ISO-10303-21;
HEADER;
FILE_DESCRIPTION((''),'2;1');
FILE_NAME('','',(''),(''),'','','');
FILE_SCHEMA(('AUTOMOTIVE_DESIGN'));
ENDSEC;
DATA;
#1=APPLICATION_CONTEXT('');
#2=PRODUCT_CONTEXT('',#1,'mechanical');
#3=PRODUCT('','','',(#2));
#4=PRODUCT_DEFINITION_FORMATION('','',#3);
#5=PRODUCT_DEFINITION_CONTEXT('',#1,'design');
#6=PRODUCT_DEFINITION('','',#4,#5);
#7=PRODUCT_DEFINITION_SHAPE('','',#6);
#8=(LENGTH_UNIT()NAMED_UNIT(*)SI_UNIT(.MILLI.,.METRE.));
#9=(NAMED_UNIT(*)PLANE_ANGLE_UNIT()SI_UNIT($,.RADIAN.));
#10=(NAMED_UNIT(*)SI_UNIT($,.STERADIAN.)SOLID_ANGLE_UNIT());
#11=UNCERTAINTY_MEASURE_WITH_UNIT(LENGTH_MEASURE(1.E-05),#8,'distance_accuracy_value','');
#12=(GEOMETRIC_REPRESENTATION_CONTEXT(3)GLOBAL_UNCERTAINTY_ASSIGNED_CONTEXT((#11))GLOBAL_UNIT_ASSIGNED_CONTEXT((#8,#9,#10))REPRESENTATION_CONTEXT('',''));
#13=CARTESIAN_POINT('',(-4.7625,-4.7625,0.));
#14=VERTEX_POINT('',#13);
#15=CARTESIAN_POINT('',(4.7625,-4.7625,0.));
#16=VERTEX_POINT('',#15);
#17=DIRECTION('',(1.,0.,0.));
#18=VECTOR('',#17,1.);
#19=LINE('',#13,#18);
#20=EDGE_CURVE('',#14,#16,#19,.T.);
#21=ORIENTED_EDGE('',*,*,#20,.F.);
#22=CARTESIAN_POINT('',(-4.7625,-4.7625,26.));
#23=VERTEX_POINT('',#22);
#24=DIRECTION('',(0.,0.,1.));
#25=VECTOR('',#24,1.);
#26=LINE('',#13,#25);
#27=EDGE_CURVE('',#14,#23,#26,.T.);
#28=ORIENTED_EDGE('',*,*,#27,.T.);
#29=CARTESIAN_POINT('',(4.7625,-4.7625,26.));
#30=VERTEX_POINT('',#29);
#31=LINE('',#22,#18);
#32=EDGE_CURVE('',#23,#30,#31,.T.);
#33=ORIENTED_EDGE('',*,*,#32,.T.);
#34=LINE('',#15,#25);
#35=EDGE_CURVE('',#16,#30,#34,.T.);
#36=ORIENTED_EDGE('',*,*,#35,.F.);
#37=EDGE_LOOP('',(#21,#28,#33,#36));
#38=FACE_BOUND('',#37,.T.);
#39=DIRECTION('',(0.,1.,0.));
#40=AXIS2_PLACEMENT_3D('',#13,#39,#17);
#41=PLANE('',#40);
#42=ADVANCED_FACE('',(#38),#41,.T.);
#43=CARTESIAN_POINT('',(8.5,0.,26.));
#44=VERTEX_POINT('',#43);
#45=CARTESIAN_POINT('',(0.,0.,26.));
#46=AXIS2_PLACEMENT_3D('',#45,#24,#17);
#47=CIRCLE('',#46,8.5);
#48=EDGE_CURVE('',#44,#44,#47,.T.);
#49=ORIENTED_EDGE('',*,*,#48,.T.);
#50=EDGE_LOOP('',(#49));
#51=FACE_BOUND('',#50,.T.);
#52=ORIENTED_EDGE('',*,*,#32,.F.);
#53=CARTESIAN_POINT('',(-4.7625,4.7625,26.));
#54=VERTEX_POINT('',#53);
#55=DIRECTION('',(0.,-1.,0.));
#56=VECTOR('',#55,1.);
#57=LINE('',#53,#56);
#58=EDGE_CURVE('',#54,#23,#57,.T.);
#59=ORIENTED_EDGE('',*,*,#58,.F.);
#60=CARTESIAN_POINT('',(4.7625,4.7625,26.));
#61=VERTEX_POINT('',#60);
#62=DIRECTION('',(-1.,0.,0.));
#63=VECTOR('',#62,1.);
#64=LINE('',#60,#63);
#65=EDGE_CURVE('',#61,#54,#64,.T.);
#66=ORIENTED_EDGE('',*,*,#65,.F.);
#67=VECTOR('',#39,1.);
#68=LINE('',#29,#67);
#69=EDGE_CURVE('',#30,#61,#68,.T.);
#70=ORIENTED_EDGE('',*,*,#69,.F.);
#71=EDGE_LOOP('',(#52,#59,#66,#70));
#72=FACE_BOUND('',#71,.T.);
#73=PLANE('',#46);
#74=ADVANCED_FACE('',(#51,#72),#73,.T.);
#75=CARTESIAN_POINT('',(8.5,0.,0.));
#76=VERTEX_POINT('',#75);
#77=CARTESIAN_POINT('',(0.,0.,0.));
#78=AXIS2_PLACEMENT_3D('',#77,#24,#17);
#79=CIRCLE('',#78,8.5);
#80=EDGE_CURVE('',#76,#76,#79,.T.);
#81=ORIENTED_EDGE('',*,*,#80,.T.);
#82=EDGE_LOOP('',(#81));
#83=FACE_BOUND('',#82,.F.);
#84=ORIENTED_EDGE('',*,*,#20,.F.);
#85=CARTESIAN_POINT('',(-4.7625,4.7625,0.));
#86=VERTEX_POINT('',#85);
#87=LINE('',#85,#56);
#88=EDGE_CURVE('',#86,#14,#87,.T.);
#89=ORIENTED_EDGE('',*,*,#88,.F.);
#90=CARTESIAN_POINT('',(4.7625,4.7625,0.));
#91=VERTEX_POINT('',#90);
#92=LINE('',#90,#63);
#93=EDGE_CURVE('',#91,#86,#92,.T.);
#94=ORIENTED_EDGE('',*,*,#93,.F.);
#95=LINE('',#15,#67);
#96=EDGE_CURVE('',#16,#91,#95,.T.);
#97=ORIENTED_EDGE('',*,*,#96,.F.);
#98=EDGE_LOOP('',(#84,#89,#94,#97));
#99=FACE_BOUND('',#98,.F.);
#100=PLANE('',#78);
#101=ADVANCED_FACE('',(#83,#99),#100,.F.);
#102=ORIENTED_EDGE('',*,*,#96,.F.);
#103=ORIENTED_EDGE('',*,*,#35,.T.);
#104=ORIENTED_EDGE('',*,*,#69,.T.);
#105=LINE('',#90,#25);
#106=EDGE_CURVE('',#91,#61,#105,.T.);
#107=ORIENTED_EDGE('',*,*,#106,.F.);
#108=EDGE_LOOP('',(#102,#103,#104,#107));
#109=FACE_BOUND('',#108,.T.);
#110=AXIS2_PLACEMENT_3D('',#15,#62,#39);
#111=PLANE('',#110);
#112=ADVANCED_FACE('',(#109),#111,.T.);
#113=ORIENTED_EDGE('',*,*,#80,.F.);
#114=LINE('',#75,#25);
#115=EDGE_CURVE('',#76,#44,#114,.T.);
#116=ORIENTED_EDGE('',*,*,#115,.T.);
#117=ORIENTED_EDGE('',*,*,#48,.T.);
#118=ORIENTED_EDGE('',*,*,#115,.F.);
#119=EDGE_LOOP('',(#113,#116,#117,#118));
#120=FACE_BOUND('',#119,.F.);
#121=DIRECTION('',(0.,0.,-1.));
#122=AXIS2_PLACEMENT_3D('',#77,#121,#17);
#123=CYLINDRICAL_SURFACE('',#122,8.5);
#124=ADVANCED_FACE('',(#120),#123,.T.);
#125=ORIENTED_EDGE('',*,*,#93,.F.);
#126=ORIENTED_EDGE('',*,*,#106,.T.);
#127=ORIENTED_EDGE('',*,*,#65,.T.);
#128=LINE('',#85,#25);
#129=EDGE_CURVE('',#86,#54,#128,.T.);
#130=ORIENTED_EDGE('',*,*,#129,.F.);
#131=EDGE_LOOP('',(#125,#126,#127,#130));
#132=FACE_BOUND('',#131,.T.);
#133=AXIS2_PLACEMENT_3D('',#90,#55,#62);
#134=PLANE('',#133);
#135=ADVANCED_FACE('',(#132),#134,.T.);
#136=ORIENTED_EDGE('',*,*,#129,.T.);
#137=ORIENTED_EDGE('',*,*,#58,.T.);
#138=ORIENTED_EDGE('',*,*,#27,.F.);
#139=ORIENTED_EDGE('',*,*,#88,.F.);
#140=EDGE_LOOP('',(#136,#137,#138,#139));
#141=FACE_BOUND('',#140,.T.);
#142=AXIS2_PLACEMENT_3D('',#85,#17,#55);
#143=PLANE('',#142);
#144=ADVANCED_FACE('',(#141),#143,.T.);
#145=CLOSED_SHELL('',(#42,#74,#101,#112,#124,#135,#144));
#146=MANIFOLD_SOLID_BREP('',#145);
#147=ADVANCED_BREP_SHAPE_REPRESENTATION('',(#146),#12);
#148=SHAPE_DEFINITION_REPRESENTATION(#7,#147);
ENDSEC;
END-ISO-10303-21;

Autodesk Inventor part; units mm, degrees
ref_plane "YZ Plane" through (0, 0, 0) normal (1, 0, 0) x (0, 1, 0)
ref_plane "XZ Plane" through (0, 0, 0) normal (0, 1, 0) x (-1, 0, 0)
ref_plane "Work Plane1" through (0, 0, 0) normal (0, 0, 1) x (1, 0, 0)
sketch "Sketch1" plane through (0, 0, 0) normal (0, 0, 1) x (1, 0, 0)
  line L0 (4.7625, 4.7625) -> (-4.7625, 4.7625) projected
  line L1 (-4.7625, 4.7625) -> (-4.7625, -4.7625) projected
  line L2 (-4.7625, -4.7625) -> (4.7625, -4.7625) projected
  line L3 (4.7625, -4.7625) -> (4.7625, 4.7625) projected
  circle A0 centre (0, 0) radius 8.5 projected
  point P0 (0, 0)
ref_plane "Work Plane2" through (-24.0297, -23.8955, 26) normal (0, 0, -1) x (0, 1, 0)
extrude "Extrusion1" add sketch "Sketch1" along normal up to surface (26 mm away)
properties part number "gear spacer 2"
